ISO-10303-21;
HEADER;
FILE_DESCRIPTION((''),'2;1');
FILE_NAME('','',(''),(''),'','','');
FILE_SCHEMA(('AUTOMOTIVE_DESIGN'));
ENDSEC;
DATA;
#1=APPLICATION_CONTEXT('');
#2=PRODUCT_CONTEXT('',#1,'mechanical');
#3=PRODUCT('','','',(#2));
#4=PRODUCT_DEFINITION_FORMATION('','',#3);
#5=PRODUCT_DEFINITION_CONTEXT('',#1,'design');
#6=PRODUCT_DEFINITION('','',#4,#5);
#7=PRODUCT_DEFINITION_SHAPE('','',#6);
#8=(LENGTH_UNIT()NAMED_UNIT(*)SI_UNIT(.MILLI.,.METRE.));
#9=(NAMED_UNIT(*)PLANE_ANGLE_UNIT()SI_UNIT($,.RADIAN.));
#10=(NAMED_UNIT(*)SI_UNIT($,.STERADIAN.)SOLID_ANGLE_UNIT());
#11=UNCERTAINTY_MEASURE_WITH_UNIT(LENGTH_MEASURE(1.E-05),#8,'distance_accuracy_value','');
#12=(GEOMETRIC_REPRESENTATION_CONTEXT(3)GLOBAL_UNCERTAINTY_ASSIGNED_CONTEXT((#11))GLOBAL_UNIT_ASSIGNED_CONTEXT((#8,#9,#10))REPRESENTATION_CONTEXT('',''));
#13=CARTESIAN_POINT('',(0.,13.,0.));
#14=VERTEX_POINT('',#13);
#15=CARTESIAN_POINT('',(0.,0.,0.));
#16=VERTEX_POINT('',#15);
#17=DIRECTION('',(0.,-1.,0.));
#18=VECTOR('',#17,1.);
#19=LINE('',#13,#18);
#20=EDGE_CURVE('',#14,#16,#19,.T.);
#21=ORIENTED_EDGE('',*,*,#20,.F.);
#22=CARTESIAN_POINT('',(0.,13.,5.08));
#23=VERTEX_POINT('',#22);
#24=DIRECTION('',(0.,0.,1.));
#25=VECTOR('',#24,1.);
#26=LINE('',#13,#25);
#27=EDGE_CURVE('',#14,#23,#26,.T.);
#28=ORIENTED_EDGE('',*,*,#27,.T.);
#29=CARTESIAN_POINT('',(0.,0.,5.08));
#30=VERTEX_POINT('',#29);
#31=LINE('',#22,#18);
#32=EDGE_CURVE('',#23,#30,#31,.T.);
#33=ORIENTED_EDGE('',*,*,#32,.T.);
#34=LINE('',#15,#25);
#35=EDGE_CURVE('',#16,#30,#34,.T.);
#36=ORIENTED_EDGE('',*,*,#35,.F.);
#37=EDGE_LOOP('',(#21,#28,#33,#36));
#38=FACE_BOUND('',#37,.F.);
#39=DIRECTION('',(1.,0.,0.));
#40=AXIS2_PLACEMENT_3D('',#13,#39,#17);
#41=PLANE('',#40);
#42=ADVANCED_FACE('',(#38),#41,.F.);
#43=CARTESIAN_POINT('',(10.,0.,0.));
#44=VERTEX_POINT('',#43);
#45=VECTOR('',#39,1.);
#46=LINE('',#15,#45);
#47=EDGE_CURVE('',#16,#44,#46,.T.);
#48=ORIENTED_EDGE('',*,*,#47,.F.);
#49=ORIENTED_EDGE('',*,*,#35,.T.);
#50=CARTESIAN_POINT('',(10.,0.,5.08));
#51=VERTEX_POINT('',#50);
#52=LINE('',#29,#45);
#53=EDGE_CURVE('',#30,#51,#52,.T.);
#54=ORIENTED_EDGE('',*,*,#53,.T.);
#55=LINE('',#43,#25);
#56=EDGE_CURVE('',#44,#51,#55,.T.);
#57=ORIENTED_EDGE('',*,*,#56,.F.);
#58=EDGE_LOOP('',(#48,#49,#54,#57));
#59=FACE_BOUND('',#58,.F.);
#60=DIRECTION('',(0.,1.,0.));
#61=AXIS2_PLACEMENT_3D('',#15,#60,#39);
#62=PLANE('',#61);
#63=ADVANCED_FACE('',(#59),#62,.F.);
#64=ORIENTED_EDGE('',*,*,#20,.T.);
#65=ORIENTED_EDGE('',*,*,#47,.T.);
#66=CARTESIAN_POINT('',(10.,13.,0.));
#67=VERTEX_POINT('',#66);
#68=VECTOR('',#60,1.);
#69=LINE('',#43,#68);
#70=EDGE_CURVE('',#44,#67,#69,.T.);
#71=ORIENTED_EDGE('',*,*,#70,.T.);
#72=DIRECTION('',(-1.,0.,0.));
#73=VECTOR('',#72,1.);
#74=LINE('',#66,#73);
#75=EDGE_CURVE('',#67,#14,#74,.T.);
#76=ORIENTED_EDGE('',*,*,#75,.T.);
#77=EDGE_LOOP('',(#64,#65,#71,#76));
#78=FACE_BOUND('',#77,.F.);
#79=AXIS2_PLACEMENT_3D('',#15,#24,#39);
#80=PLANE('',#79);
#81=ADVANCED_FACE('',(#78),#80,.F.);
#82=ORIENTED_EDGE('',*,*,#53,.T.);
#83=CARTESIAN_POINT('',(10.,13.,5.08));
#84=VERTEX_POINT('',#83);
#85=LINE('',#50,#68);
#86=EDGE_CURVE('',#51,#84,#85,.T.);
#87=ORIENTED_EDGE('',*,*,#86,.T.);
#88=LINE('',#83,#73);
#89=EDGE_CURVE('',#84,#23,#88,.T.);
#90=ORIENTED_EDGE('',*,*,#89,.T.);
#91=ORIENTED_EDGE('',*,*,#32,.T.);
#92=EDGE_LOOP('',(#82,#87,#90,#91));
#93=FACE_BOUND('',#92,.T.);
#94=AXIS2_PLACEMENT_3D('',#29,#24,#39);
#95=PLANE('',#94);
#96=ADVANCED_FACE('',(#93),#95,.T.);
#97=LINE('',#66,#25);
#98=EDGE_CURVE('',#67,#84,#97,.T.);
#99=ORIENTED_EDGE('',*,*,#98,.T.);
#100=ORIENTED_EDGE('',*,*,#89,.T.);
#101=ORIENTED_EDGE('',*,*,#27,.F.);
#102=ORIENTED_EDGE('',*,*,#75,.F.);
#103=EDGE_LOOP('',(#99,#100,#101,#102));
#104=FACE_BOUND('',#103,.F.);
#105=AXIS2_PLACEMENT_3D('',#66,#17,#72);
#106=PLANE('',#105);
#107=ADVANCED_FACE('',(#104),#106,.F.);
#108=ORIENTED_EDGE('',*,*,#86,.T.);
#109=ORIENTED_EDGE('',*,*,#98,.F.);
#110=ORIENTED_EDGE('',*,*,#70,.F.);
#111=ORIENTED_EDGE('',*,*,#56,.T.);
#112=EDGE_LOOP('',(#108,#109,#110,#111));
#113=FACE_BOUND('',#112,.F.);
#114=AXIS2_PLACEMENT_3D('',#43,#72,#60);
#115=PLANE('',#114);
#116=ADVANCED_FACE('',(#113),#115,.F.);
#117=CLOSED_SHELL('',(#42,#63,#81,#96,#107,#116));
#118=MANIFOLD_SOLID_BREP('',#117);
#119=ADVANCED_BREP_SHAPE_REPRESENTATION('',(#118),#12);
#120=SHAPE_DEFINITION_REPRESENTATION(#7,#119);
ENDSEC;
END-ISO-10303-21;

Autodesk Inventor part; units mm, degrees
ref_plane "YZ Plane" through (0, 0, 0) normal (1, 0, 0) x (0, 1, 0)
ref_plane "XZ Plane" through (0, 0, 0) normal (0, 1, 0) x (-1, 0, 0)
ref_plane "XY Plane" through (0, 0, 0) normal (0, 0, 1) x (1, 0, 0)
sketch "Sketch1" plane through (0, 0, 0) normal (0, 0, 1) x (1, 0, 0)
  line L0 (0, 0) -> (10, 0)
  line L1 (10, 0) -> (10, 13)
  line L2 (10, 13) -> (0, 13)
  line L3 (0, 13) -> (0, 0)
  dimension "d0" = 10
  dimension "d1" = 13
extrude "Extrusion1" add sketch "Sketch1" along normal blind 5.08
properties part number "Mockup Barometer"
